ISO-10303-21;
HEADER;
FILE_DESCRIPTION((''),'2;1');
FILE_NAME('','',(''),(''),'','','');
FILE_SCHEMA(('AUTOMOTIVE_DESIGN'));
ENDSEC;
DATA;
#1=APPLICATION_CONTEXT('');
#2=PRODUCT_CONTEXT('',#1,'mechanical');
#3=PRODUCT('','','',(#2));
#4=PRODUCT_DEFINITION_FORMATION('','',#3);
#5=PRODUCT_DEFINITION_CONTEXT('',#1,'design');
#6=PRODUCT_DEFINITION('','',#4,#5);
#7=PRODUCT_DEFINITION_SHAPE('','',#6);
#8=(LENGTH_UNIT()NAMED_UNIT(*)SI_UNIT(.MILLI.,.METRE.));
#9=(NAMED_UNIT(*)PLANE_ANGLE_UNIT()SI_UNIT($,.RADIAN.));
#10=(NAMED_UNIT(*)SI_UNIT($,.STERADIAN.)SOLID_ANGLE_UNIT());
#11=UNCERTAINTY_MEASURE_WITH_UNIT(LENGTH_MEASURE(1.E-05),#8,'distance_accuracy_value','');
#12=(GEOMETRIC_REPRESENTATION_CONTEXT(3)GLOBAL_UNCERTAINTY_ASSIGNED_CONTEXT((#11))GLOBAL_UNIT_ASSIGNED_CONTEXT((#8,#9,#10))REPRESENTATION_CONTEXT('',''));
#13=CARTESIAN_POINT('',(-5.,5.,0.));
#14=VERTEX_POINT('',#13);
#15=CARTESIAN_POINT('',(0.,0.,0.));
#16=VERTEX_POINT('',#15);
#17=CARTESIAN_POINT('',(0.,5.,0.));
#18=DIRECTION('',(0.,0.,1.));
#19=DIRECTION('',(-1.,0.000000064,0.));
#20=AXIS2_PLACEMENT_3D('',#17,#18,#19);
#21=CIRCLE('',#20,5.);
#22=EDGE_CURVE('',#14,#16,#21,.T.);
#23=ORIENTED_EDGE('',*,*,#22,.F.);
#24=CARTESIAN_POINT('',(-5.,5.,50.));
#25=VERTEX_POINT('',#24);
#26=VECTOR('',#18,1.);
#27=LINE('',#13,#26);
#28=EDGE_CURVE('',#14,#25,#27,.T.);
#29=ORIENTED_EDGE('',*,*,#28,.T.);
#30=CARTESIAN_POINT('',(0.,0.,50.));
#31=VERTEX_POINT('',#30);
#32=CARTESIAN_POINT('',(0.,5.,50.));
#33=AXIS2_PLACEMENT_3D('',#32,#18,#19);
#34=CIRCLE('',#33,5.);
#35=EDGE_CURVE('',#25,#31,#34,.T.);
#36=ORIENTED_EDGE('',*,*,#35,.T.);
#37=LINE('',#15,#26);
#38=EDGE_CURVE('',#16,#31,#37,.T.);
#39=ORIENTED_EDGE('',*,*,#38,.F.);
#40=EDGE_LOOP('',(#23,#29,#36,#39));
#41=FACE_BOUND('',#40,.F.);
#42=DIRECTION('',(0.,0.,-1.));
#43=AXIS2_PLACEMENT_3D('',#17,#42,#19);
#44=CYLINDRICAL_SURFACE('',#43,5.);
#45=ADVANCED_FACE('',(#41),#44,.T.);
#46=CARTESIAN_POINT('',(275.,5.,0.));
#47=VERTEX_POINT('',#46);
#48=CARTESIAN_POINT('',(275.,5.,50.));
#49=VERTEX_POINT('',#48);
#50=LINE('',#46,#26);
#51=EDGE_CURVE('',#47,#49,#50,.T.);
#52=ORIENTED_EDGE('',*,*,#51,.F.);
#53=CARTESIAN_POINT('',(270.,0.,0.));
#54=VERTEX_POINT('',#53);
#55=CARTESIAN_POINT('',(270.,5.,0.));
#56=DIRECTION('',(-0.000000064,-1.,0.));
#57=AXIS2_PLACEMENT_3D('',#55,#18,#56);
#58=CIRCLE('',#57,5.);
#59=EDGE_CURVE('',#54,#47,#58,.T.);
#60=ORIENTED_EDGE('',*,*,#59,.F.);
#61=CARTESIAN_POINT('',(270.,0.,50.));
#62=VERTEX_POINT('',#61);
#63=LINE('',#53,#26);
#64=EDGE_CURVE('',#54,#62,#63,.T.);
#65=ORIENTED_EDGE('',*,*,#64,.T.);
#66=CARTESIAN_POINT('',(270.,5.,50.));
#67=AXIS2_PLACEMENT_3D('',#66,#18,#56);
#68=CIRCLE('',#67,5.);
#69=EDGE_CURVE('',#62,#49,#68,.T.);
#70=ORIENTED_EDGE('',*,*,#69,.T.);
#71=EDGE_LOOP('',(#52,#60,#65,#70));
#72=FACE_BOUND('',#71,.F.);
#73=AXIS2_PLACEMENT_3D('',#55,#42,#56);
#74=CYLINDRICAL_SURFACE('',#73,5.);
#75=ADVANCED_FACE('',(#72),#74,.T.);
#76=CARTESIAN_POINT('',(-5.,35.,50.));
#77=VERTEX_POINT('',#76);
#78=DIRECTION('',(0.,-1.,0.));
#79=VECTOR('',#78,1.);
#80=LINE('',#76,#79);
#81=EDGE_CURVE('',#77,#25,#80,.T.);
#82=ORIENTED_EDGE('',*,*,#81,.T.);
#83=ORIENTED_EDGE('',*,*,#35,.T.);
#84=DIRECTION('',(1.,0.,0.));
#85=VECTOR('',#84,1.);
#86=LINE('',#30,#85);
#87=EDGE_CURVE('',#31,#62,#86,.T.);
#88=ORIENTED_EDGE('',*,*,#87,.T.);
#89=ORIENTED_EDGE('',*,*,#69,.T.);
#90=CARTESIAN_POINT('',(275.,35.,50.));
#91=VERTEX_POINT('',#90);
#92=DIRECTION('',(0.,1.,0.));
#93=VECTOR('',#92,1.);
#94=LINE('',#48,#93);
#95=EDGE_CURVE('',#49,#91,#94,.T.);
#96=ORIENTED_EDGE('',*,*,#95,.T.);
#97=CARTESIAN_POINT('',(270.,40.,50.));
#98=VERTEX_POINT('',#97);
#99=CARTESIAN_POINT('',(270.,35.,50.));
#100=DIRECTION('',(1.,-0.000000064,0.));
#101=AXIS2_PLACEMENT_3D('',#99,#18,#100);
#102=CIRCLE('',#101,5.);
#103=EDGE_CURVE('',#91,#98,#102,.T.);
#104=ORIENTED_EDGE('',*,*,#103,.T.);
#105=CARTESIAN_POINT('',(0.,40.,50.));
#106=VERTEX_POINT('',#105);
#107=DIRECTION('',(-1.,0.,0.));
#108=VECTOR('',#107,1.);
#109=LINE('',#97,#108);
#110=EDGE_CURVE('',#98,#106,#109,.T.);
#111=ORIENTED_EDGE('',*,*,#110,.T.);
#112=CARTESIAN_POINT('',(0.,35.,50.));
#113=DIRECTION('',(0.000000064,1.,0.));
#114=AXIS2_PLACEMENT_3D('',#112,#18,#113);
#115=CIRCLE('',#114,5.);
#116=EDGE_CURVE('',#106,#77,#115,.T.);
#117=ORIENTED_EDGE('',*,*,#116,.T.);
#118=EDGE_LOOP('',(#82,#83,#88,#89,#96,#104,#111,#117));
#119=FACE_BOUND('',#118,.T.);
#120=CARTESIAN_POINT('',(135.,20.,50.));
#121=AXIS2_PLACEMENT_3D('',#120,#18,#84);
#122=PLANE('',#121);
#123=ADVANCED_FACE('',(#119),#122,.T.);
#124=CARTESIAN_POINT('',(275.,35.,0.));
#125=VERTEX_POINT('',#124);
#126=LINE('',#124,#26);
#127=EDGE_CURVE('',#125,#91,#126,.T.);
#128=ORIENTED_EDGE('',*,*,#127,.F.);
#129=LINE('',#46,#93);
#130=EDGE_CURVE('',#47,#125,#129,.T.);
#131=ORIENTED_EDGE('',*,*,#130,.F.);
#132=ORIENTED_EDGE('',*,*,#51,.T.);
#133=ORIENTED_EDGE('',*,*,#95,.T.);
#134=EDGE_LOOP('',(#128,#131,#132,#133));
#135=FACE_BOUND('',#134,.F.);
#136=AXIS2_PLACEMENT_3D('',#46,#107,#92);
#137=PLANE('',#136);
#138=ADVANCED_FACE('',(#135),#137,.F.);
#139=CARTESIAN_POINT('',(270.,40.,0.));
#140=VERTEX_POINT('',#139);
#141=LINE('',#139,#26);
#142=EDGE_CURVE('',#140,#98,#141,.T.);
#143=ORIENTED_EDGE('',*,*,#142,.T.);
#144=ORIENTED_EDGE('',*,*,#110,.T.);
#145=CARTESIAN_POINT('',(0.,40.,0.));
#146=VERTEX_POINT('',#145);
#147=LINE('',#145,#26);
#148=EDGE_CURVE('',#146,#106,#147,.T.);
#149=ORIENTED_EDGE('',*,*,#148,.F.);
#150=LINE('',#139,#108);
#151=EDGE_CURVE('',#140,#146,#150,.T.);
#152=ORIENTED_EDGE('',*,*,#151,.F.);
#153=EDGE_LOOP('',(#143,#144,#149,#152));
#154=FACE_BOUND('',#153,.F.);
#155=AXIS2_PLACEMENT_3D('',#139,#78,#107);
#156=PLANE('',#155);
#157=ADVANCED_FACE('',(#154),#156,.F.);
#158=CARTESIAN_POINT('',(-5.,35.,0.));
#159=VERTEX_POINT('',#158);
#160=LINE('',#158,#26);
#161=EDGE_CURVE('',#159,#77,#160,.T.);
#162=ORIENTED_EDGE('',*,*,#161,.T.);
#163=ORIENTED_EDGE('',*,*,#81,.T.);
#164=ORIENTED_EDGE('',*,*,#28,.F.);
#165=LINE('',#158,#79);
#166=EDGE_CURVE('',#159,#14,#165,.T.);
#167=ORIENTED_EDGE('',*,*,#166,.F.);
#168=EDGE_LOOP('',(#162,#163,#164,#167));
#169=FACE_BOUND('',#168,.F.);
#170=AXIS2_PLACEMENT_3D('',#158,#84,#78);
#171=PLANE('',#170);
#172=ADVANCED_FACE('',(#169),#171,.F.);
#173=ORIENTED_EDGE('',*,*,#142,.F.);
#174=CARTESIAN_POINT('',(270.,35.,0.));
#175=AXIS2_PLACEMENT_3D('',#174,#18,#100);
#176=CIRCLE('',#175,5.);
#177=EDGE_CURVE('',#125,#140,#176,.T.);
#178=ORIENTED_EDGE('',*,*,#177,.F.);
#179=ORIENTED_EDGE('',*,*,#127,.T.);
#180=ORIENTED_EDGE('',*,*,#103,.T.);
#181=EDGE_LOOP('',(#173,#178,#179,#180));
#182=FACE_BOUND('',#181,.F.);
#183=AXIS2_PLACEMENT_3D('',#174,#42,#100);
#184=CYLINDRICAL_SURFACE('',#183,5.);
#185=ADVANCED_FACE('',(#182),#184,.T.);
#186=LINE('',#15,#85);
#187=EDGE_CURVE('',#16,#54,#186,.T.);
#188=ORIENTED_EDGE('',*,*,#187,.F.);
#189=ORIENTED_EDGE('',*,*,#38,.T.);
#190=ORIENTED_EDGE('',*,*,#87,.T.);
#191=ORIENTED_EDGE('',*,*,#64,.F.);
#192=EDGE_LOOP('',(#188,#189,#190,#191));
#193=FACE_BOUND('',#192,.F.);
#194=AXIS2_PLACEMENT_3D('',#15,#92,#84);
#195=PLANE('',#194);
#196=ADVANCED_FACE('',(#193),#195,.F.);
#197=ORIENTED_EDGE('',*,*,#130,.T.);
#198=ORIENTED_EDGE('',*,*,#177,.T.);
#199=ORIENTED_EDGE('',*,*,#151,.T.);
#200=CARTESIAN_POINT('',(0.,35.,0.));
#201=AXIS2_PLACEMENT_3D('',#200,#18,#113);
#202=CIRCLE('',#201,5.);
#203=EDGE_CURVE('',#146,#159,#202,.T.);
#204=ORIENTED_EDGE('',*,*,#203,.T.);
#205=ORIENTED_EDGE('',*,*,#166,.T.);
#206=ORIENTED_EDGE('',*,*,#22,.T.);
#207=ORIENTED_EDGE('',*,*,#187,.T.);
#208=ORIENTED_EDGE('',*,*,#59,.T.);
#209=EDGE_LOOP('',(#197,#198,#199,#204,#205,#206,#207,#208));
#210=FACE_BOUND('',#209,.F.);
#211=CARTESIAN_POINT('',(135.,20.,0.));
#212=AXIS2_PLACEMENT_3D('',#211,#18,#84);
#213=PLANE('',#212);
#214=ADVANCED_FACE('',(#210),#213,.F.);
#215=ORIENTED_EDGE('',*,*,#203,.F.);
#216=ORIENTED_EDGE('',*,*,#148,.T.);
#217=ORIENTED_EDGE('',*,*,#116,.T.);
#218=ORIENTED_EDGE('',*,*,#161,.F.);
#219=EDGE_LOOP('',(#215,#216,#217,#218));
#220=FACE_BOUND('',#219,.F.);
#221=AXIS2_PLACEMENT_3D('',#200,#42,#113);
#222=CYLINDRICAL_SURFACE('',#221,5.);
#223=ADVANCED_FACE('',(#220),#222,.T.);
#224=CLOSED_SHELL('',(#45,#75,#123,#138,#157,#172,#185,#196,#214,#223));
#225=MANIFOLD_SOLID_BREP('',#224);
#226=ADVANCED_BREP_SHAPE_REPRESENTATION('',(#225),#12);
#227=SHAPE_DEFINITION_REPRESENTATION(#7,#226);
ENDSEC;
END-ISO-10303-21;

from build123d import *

# Parameters (mm, degrees)
PAD001_DEPTH = 50


with BuildPart() as part:
    # Sketch → Pad001 (new body)
    with BuildSketch(Plane.XY):
        with BuildLine():
            Line((0, 0), (270, 0))
            ThreePointArc((270, 0), (273.535534, 1.464466), (275, 5))
            Line((275, 5), (275, 35))
            ThreePointArc((275, 35), (273.535534, 38.535534), (270, 40))
            Line((270, 40), (0, 40))
            ThreePointArc((0, 40), (-3.535534, 38.535534), (-5, 35))
            Line((-5, 35), (-5, 5))
            ThreePointArc((-5, 5), (-3.535534, 1.464466), (0, 0))
        make_face()
    extrude(amount=PAD001_DEPTH)


solid = part.part
